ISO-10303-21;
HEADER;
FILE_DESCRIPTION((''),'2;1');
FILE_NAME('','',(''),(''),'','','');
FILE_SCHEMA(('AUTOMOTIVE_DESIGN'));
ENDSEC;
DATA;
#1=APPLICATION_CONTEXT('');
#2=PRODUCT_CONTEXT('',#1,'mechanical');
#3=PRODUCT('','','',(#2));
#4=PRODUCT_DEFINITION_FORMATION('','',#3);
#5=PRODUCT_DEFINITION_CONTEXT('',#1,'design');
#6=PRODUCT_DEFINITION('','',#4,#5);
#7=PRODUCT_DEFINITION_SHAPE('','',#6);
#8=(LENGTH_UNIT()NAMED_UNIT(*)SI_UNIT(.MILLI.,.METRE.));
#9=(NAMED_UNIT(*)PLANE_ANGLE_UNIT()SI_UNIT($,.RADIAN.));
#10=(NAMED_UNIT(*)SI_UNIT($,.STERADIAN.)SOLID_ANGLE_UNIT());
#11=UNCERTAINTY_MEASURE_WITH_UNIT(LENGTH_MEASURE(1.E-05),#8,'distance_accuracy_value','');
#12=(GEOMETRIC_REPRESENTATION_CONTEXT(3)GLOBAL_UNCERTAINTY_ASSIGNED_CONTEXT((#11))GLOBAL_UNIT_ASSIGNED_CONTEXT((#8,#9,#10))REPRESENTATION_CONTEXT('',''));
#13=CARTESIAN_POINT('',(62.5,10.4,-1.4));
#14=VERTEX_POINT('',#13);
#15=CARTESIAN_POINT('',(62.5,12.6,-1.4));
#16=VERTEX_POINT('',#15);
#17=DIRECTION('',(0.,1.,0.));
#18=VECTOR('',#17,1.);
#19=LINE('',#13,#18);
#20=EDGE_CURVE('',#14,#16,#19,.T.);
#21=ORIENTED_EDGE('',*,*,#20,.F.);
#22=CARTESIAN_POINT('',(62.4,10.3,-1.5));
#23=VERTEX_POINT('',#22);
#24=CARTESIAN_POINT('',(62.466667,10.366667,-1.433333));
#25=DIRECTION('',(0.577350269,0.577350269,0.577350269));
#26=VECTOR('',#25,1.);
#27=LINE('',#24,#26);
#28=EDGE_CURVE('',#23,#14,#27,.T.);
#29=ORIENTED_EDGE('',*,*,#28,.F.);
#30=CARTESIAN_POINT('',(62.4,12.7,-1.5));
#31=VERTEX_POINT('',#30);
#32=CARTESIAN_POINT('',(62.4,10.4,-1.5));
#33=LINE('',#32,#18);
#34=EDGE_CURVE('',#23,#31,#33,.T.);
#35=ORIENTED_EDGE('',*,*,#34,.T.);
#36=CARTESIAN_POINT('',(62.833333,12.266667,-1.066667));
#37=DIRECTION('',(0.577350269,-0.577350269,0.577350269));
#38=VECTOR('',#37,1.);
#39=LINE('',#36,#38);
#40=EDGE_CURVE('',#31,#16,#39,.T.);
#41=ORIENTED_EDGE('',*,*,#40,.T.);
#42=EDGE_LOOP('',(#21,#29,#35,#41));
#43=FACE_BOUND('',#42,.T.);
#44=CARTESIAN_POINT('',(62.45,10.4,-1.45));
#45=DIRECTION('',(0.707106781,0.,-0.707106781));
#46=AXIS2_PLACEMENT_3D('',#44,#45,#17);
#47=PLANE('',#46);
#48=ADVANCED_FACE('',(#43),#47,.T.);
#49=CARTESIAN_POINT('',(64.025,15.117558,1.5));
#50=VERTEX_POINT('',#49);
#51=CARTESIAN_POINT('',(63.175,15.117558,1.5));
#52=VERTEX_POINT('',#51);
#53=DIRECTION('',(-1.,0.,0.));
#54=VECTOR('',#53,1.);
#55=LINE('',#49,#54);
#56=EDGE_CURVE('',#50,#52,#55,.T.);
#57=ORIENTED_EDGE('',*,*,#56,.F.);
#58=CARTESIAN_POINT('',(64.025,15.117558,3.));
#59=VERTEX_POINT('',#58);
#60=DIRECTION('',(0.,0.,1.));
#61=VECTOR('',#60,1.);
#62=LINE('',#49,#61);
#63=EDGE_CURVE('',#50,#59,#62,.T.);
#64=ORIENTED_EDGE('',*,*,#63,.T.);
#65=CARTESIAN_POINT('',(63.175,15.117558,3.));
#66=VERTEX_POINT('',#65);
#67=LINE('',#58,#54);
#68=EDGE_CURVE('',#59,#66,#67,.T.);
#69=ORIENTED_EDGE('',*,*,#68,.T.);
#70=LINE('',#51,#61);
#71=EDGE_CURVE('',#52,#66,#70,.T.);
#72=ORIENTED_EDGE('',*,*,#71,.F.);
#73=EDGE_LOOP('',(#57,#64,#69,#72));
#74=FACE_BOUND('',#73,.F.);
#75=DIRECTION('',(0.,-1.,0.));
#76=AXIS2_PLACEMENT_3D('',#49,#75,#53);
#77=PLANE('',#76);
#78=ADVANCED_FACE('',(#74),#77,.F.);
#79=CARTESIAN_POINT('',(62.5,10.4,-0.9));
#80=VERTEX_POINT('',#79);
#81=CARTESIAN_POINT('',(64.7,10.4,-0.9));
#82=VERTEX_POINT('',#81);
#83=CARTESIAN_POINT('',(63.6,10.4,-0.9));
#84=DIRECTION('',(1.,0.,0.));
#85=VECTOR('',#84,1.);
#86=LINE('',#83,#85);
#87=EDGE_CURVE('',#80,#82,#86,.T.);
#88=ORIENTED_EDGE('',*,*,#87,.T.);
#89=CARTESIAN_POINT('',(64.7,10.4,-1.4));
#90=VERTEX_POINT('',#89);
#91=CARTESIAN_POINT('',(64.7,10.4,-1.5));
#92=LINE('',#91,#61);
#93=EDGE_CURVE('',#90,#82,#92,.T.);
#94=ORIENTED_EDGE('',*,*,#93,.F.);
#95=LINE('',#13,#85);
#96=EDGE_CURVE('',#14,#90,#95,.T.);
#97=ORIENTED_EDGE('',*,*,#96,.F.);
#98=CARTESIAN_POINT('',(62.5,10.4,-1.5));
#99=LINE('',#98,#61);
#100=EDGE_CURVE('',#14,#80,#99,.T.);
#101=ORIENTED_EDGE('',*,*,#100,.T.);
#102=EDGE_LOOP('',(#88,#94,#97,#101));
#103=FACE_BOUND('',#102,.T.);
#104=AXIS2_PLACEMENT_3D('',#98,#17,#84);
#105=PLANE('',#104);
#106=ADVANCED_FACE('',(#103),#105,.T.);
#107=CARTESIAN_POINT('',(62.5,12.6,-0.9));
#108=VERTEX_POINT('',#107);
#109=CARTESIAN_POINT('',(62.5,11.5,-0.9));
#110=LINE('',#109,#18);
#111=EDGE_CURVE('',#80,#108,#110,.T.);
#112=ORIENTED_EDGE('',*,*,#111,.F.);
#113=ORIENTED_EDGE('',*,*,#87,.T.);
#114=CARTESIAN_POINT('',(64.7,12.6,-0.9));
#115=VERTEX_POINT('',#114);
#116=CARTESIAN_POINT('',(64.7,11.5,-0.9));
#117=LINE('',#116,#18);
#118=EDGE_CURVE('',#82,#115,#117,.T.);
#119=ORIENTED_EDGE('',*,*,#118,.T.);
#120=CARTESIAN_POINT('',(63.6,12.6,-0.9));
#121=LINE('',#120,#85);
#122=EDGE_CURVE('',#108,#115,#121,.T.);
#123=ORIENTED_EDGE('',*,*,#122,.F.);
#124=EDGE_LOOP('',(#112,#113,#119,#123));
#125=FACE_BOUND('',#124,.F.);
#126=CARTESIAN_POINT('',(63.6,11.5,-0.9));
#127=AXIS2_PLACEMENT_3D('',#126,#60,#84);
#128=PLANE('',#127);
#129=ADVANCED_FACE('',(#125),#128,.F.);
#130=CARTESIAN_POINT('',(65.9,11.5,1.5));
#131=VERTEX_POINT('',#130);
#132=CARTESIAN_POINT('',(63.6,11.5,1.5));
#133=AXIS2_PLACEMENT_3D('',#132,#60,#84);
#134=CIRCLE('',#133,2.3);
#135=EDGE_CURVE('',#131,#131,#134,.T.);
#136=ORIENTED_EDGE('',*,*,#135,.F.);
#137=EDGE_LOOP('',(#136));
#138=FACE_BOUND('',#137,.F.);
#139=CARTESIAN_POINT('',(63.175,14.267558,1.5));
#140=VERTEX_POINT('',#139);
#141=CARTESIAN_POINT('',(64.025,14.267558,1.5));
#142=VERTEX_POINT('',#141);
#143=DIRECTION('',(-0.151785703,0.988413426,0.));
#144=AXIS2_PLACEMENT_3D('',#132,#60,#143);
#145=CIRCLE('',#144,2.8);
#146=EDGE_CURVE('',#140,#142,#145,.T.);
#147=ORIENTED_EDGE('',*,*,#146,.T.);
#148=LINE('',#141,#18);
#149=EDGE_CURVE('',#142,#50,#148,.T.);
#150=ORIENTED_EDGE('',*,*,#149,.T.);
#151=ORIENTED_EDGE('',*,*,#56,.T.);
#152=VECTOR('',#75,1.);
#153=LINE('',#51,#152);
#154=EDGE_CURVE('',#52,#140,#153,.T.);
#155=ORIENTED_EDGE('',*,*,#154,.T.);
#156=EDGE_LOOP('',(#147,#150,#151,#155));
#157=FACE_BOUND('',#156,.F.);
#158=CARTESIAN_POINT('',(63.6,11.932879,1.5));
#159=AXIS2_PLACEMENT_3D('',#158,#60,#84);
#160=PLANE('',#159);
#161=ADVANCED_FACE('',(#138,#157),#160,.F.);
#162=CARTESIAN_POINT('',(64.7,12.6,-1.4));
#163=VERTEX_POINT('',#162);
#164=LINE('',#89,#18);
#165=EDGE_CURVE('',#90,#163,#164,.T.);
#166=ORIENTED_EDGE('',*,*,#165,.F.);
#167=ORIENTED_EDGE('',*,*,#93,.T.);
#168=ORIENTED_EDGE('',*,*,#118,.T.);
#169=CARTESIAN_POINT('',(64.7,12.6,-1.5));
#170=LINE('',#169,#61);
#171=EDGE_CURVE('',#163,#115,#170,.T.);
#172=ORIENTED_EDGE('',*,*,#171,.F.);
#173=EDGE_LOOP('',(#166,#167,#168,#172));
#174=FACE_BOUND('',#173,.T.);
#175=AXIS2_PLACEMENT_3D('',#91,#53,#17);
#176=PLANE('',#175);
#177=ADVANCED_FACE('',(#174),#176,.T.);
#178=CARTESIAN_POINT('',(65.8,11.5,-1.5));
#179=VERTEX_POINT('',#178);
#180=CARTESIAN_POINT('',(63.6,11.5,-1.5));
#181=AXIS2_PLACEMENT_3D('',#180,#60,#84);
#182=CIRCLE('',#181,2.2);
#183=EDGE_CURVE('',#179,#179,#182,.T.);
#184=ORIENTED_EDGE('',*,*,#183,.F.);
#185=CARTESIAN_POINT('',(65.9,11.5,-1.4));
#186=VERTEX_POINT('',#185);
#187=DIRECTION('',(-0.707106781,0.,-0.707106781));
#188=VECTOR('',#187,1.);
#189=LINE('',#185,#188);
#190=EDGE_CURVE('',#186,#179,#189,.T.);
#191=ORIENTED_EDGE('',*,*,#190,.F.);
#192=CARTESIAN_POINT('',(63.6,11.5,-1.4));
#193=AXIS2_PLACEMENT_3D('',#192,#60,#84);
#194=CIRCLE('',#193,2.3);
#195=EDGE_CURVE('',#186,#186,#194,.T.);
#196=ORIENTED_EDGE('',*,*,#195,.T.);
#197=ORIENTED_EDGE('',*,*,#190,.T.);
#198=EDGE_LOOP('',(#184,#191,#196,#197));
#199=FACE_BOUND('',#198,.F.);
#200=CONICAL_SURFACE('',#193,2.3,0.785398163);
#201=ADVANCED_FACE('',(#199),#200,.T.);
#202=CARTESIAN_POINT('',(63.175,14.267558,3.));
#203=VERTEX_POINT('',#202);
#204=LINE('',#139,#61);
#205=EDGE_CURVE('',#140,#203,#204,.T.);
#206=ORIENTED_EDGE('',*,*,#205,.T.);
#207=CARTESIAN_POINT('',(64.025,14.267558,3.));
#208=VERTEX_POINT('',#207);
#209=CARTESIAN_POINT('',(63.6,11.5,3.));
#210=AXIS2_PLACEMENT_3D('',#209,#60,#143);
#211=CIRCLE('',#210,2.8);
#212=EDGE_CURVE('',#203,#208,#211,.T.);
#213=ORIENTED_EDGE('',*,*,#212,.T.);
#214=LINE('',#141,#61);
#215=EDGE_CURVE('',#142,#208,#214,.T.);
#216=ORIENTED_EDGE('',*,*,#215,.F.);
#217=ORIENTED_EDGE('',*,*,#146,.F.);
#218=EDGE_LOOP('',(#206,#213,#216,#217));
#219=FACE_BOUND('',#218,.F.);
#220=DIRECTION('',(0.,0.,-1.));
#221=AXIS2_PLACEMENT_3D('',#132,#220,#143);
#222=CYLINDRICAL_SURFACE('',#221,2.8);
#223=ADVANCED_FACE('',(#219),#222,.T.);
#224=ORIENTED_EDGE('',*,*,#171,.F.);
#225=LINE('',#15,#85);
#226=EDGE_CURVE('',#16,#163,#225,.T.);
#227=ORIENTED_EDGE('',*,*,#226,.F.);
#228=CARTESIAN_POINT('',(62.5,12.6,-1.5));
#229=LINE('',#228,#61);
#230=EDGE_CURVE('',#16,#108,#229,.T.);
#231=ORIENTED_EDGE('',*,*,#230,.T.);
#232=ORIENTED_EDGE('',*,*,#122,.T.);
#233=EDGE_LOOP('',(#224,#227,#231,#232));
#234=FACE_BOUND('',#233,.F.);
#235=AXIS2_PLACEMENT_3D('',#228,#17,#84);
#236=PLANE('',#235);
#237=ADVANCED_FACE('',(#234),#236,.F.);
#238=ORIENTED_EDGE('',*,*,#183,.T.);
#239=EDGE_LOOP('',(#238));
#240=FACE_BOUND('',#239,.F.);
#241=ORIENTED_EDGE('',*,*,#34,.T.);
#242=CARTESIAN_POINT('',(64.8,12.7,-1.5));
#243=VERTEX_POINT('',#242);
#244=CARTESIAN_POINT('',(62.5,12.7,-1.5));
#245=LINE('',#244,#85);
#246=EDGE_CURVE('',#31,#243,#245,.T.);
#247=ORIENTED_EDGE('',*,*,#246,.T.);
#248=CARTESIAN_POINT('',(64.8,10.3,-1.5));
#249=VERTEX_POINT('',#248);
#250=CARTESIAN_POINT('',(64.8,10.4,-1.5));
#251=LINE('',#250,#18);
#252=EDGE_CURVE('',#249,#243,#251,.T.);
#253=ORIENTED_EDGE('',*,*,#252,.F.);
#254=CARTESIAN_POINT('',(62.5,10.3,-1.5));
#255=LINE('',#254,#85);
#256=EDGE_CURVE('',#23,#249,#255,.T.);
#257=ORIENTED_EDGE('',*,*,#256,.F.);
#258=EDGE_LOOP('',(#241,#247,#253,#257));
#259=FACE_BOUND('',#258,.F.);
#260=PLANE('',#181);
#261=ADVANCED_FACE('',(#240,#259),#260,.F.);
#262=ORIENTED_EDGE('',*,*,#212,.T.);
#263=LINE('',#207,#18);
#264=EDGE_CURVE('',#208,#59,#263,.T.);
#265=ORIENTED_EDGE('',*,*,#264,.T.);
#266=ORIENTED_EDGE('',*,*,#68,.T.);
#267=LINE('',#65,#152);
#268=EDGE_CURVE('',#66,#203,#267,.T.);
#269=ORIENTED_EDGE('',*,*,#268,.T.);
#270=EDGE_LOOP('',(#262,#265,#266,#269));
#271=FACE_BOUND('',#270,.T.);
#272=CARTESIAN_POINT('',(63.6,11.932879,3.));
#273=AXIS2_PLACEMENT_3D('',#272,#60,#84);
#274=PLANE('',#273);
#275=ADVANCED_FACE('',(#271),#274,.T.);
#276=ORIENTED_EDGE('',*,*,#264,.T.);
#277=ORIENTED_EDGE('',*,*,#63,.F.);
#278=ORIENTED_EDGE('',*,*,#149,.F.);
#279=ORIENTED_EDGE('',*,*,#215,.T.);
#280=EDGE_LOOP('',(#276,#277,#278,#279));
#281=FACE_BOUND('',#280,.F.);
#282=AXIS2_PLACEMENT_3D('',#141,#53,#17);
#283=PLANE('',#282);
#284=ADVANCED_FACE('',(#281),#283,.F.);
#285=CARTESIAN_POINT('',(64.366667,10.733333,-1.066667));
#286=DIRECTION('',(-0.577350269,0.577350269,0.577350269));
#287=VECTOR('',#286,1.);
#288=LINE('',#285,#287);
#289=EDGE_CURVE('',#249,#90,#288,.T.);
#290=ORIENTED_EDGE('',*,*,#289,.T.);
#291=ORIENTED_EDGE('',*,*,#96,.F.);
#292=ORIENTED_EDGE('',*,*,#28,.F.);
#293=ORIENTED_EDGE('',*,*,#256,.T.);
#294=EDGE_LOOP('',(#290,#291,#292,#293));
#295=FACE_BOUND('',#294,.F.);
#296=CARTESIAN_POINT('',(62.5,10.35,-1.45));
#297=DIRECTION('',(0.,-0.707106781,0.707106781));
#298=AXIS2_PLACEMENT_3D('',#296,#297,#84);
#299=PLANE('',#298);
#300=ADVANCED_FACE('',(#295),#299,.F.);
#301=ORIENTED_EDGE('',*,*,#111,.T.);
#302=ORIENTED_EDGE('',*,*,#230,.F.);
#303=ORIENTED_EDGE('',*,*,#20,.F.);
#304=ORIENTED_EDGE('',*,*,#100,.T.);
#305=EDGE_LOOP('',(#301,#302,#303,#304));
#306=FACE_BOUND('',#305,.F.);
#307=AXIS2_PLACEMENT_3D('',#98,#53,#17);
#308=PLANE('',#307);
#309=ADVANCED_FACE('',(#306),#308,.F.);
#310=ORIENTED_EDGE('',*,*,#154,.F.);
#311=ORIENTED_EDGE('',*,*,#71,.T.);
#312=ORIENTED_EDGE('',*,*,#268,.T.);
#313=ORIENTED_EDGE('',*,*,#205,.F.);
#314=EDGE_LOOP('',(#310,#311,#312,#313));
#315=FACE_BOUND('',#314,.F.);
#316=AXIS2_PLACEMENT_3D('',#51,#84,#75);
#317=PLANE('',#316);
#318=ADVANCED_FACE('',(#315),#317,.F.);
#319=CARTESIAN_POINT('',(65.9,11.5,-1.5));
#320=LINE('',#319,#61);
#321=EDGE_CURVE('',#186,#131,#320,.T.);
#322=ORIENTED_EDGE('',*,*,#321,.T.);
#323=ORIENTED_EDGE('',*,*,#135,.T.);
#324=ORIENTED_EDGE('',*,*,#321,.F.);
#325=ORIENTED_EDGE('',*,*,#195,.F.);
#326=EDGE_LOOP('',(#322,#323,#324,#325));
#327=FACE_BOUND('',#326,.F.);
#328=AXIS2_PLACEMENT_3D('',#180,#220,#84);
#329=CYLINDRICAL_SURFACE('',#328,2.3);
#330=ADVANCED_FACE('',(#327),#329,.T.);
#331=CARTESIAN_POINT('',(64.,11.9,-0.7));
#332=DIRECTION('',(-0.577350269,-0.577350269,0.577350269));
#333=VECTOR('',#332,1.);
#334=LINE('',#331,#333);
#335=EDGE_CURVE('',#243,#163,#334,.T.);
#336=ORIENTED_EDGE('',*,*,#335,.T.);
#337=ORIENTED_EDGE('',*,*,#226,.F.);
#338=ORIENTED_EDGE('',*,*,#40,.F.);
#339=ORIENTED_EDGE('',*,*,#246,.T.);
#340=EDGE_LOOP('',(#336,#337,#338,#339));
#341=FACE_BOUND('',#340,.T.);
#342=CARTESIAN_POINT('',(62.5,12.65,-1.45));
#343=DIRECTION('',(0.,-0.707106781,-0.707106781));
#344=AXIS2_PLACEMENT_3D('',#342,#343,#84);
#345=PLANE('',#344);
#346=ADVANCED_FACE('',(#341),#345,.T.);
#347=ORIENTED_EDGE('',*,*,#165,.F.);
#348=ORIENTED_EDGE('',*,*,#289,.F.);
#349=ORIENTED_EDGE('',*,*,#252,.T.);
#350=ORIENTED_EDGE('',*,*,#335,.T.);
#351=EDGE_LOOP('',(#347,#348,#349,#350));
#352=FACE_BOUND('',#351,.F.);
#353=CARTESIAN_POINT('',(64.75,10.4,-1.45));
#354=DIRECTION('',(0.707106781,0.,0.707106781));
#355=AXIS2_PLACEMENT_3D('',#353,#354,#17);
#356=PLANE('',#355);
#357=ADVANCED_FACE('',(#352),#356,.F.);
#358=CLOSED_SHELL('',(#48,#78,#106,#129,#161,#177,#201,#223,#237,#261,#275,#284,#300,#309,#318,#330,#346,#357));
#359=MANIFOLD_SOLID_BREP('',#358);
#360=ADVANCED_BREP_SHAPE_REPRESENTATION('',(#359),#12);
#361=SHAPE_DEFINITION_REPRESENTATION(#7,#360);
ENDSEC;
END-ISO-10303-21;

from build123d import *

# Parameters (mm, degrees)
SKETCH055_R     = 2.3
PAD038_DEPTH    = 3
PAD039_DEPTH    = 1.5
SKETCH057_W     = 2.2
SKETCH057_H     = 2.2
POCKET010_DEPTH = 0.6
CHAMFER004_SIZE = 0.1


with BuildPart() as part:
    # Sketch055 → Pad038 (new body)
    with BuildSketch(Plane.XY):
        Circle(SKETCH055_R)
    extrude(amount=PAD038_DEPTH)

    # Sketch056 (on Face3 of Pad038) → Pad039 (join)
    with BuildSketch(Plane.XY.offset(3)):
        with BuildLine():
            Line((0.425, 2.767558), (0.425, 3.617558))
            Line((0.425, 3.617558), (-0.425, 3.617558))
            Line((-0.425, 3.617558), (-0.425, 2.767558))
            ThreePointArc((-0.425, 2.767558), (0, -2.8), (0.425, 2.767558))
        make_face()
    extrude(amount=PAD039_DEPTH)

    # Sketch057 → Pocket010 (cut)
    with BuildSketch(Plane.XY):
        Rectangle(SKETCH057_W, SKETCH057_H)
    extrude(amount=POCKET010_DEPTH, mode=Mode.SUBTRACT)

    # Chamfer004
    chamfer004_edges = [part.edges().sort_by_distance(p)[0] for p in [
        (0, 1.1, 0),
        (0, -1.1, 0),
        (1.1, 0, 0),
        (-2.3, 0, 0),
        (-1.1, 0, 0),
    ]]
    chamfer(chamfer004_edges, length=CHAMFER004_SIZE)


with BuildPart() as part_1:
    # Body016 placement: moved
    add(part.part.moved(Location((63.6, 11.5, -1.5))))


solid = part_1.part
